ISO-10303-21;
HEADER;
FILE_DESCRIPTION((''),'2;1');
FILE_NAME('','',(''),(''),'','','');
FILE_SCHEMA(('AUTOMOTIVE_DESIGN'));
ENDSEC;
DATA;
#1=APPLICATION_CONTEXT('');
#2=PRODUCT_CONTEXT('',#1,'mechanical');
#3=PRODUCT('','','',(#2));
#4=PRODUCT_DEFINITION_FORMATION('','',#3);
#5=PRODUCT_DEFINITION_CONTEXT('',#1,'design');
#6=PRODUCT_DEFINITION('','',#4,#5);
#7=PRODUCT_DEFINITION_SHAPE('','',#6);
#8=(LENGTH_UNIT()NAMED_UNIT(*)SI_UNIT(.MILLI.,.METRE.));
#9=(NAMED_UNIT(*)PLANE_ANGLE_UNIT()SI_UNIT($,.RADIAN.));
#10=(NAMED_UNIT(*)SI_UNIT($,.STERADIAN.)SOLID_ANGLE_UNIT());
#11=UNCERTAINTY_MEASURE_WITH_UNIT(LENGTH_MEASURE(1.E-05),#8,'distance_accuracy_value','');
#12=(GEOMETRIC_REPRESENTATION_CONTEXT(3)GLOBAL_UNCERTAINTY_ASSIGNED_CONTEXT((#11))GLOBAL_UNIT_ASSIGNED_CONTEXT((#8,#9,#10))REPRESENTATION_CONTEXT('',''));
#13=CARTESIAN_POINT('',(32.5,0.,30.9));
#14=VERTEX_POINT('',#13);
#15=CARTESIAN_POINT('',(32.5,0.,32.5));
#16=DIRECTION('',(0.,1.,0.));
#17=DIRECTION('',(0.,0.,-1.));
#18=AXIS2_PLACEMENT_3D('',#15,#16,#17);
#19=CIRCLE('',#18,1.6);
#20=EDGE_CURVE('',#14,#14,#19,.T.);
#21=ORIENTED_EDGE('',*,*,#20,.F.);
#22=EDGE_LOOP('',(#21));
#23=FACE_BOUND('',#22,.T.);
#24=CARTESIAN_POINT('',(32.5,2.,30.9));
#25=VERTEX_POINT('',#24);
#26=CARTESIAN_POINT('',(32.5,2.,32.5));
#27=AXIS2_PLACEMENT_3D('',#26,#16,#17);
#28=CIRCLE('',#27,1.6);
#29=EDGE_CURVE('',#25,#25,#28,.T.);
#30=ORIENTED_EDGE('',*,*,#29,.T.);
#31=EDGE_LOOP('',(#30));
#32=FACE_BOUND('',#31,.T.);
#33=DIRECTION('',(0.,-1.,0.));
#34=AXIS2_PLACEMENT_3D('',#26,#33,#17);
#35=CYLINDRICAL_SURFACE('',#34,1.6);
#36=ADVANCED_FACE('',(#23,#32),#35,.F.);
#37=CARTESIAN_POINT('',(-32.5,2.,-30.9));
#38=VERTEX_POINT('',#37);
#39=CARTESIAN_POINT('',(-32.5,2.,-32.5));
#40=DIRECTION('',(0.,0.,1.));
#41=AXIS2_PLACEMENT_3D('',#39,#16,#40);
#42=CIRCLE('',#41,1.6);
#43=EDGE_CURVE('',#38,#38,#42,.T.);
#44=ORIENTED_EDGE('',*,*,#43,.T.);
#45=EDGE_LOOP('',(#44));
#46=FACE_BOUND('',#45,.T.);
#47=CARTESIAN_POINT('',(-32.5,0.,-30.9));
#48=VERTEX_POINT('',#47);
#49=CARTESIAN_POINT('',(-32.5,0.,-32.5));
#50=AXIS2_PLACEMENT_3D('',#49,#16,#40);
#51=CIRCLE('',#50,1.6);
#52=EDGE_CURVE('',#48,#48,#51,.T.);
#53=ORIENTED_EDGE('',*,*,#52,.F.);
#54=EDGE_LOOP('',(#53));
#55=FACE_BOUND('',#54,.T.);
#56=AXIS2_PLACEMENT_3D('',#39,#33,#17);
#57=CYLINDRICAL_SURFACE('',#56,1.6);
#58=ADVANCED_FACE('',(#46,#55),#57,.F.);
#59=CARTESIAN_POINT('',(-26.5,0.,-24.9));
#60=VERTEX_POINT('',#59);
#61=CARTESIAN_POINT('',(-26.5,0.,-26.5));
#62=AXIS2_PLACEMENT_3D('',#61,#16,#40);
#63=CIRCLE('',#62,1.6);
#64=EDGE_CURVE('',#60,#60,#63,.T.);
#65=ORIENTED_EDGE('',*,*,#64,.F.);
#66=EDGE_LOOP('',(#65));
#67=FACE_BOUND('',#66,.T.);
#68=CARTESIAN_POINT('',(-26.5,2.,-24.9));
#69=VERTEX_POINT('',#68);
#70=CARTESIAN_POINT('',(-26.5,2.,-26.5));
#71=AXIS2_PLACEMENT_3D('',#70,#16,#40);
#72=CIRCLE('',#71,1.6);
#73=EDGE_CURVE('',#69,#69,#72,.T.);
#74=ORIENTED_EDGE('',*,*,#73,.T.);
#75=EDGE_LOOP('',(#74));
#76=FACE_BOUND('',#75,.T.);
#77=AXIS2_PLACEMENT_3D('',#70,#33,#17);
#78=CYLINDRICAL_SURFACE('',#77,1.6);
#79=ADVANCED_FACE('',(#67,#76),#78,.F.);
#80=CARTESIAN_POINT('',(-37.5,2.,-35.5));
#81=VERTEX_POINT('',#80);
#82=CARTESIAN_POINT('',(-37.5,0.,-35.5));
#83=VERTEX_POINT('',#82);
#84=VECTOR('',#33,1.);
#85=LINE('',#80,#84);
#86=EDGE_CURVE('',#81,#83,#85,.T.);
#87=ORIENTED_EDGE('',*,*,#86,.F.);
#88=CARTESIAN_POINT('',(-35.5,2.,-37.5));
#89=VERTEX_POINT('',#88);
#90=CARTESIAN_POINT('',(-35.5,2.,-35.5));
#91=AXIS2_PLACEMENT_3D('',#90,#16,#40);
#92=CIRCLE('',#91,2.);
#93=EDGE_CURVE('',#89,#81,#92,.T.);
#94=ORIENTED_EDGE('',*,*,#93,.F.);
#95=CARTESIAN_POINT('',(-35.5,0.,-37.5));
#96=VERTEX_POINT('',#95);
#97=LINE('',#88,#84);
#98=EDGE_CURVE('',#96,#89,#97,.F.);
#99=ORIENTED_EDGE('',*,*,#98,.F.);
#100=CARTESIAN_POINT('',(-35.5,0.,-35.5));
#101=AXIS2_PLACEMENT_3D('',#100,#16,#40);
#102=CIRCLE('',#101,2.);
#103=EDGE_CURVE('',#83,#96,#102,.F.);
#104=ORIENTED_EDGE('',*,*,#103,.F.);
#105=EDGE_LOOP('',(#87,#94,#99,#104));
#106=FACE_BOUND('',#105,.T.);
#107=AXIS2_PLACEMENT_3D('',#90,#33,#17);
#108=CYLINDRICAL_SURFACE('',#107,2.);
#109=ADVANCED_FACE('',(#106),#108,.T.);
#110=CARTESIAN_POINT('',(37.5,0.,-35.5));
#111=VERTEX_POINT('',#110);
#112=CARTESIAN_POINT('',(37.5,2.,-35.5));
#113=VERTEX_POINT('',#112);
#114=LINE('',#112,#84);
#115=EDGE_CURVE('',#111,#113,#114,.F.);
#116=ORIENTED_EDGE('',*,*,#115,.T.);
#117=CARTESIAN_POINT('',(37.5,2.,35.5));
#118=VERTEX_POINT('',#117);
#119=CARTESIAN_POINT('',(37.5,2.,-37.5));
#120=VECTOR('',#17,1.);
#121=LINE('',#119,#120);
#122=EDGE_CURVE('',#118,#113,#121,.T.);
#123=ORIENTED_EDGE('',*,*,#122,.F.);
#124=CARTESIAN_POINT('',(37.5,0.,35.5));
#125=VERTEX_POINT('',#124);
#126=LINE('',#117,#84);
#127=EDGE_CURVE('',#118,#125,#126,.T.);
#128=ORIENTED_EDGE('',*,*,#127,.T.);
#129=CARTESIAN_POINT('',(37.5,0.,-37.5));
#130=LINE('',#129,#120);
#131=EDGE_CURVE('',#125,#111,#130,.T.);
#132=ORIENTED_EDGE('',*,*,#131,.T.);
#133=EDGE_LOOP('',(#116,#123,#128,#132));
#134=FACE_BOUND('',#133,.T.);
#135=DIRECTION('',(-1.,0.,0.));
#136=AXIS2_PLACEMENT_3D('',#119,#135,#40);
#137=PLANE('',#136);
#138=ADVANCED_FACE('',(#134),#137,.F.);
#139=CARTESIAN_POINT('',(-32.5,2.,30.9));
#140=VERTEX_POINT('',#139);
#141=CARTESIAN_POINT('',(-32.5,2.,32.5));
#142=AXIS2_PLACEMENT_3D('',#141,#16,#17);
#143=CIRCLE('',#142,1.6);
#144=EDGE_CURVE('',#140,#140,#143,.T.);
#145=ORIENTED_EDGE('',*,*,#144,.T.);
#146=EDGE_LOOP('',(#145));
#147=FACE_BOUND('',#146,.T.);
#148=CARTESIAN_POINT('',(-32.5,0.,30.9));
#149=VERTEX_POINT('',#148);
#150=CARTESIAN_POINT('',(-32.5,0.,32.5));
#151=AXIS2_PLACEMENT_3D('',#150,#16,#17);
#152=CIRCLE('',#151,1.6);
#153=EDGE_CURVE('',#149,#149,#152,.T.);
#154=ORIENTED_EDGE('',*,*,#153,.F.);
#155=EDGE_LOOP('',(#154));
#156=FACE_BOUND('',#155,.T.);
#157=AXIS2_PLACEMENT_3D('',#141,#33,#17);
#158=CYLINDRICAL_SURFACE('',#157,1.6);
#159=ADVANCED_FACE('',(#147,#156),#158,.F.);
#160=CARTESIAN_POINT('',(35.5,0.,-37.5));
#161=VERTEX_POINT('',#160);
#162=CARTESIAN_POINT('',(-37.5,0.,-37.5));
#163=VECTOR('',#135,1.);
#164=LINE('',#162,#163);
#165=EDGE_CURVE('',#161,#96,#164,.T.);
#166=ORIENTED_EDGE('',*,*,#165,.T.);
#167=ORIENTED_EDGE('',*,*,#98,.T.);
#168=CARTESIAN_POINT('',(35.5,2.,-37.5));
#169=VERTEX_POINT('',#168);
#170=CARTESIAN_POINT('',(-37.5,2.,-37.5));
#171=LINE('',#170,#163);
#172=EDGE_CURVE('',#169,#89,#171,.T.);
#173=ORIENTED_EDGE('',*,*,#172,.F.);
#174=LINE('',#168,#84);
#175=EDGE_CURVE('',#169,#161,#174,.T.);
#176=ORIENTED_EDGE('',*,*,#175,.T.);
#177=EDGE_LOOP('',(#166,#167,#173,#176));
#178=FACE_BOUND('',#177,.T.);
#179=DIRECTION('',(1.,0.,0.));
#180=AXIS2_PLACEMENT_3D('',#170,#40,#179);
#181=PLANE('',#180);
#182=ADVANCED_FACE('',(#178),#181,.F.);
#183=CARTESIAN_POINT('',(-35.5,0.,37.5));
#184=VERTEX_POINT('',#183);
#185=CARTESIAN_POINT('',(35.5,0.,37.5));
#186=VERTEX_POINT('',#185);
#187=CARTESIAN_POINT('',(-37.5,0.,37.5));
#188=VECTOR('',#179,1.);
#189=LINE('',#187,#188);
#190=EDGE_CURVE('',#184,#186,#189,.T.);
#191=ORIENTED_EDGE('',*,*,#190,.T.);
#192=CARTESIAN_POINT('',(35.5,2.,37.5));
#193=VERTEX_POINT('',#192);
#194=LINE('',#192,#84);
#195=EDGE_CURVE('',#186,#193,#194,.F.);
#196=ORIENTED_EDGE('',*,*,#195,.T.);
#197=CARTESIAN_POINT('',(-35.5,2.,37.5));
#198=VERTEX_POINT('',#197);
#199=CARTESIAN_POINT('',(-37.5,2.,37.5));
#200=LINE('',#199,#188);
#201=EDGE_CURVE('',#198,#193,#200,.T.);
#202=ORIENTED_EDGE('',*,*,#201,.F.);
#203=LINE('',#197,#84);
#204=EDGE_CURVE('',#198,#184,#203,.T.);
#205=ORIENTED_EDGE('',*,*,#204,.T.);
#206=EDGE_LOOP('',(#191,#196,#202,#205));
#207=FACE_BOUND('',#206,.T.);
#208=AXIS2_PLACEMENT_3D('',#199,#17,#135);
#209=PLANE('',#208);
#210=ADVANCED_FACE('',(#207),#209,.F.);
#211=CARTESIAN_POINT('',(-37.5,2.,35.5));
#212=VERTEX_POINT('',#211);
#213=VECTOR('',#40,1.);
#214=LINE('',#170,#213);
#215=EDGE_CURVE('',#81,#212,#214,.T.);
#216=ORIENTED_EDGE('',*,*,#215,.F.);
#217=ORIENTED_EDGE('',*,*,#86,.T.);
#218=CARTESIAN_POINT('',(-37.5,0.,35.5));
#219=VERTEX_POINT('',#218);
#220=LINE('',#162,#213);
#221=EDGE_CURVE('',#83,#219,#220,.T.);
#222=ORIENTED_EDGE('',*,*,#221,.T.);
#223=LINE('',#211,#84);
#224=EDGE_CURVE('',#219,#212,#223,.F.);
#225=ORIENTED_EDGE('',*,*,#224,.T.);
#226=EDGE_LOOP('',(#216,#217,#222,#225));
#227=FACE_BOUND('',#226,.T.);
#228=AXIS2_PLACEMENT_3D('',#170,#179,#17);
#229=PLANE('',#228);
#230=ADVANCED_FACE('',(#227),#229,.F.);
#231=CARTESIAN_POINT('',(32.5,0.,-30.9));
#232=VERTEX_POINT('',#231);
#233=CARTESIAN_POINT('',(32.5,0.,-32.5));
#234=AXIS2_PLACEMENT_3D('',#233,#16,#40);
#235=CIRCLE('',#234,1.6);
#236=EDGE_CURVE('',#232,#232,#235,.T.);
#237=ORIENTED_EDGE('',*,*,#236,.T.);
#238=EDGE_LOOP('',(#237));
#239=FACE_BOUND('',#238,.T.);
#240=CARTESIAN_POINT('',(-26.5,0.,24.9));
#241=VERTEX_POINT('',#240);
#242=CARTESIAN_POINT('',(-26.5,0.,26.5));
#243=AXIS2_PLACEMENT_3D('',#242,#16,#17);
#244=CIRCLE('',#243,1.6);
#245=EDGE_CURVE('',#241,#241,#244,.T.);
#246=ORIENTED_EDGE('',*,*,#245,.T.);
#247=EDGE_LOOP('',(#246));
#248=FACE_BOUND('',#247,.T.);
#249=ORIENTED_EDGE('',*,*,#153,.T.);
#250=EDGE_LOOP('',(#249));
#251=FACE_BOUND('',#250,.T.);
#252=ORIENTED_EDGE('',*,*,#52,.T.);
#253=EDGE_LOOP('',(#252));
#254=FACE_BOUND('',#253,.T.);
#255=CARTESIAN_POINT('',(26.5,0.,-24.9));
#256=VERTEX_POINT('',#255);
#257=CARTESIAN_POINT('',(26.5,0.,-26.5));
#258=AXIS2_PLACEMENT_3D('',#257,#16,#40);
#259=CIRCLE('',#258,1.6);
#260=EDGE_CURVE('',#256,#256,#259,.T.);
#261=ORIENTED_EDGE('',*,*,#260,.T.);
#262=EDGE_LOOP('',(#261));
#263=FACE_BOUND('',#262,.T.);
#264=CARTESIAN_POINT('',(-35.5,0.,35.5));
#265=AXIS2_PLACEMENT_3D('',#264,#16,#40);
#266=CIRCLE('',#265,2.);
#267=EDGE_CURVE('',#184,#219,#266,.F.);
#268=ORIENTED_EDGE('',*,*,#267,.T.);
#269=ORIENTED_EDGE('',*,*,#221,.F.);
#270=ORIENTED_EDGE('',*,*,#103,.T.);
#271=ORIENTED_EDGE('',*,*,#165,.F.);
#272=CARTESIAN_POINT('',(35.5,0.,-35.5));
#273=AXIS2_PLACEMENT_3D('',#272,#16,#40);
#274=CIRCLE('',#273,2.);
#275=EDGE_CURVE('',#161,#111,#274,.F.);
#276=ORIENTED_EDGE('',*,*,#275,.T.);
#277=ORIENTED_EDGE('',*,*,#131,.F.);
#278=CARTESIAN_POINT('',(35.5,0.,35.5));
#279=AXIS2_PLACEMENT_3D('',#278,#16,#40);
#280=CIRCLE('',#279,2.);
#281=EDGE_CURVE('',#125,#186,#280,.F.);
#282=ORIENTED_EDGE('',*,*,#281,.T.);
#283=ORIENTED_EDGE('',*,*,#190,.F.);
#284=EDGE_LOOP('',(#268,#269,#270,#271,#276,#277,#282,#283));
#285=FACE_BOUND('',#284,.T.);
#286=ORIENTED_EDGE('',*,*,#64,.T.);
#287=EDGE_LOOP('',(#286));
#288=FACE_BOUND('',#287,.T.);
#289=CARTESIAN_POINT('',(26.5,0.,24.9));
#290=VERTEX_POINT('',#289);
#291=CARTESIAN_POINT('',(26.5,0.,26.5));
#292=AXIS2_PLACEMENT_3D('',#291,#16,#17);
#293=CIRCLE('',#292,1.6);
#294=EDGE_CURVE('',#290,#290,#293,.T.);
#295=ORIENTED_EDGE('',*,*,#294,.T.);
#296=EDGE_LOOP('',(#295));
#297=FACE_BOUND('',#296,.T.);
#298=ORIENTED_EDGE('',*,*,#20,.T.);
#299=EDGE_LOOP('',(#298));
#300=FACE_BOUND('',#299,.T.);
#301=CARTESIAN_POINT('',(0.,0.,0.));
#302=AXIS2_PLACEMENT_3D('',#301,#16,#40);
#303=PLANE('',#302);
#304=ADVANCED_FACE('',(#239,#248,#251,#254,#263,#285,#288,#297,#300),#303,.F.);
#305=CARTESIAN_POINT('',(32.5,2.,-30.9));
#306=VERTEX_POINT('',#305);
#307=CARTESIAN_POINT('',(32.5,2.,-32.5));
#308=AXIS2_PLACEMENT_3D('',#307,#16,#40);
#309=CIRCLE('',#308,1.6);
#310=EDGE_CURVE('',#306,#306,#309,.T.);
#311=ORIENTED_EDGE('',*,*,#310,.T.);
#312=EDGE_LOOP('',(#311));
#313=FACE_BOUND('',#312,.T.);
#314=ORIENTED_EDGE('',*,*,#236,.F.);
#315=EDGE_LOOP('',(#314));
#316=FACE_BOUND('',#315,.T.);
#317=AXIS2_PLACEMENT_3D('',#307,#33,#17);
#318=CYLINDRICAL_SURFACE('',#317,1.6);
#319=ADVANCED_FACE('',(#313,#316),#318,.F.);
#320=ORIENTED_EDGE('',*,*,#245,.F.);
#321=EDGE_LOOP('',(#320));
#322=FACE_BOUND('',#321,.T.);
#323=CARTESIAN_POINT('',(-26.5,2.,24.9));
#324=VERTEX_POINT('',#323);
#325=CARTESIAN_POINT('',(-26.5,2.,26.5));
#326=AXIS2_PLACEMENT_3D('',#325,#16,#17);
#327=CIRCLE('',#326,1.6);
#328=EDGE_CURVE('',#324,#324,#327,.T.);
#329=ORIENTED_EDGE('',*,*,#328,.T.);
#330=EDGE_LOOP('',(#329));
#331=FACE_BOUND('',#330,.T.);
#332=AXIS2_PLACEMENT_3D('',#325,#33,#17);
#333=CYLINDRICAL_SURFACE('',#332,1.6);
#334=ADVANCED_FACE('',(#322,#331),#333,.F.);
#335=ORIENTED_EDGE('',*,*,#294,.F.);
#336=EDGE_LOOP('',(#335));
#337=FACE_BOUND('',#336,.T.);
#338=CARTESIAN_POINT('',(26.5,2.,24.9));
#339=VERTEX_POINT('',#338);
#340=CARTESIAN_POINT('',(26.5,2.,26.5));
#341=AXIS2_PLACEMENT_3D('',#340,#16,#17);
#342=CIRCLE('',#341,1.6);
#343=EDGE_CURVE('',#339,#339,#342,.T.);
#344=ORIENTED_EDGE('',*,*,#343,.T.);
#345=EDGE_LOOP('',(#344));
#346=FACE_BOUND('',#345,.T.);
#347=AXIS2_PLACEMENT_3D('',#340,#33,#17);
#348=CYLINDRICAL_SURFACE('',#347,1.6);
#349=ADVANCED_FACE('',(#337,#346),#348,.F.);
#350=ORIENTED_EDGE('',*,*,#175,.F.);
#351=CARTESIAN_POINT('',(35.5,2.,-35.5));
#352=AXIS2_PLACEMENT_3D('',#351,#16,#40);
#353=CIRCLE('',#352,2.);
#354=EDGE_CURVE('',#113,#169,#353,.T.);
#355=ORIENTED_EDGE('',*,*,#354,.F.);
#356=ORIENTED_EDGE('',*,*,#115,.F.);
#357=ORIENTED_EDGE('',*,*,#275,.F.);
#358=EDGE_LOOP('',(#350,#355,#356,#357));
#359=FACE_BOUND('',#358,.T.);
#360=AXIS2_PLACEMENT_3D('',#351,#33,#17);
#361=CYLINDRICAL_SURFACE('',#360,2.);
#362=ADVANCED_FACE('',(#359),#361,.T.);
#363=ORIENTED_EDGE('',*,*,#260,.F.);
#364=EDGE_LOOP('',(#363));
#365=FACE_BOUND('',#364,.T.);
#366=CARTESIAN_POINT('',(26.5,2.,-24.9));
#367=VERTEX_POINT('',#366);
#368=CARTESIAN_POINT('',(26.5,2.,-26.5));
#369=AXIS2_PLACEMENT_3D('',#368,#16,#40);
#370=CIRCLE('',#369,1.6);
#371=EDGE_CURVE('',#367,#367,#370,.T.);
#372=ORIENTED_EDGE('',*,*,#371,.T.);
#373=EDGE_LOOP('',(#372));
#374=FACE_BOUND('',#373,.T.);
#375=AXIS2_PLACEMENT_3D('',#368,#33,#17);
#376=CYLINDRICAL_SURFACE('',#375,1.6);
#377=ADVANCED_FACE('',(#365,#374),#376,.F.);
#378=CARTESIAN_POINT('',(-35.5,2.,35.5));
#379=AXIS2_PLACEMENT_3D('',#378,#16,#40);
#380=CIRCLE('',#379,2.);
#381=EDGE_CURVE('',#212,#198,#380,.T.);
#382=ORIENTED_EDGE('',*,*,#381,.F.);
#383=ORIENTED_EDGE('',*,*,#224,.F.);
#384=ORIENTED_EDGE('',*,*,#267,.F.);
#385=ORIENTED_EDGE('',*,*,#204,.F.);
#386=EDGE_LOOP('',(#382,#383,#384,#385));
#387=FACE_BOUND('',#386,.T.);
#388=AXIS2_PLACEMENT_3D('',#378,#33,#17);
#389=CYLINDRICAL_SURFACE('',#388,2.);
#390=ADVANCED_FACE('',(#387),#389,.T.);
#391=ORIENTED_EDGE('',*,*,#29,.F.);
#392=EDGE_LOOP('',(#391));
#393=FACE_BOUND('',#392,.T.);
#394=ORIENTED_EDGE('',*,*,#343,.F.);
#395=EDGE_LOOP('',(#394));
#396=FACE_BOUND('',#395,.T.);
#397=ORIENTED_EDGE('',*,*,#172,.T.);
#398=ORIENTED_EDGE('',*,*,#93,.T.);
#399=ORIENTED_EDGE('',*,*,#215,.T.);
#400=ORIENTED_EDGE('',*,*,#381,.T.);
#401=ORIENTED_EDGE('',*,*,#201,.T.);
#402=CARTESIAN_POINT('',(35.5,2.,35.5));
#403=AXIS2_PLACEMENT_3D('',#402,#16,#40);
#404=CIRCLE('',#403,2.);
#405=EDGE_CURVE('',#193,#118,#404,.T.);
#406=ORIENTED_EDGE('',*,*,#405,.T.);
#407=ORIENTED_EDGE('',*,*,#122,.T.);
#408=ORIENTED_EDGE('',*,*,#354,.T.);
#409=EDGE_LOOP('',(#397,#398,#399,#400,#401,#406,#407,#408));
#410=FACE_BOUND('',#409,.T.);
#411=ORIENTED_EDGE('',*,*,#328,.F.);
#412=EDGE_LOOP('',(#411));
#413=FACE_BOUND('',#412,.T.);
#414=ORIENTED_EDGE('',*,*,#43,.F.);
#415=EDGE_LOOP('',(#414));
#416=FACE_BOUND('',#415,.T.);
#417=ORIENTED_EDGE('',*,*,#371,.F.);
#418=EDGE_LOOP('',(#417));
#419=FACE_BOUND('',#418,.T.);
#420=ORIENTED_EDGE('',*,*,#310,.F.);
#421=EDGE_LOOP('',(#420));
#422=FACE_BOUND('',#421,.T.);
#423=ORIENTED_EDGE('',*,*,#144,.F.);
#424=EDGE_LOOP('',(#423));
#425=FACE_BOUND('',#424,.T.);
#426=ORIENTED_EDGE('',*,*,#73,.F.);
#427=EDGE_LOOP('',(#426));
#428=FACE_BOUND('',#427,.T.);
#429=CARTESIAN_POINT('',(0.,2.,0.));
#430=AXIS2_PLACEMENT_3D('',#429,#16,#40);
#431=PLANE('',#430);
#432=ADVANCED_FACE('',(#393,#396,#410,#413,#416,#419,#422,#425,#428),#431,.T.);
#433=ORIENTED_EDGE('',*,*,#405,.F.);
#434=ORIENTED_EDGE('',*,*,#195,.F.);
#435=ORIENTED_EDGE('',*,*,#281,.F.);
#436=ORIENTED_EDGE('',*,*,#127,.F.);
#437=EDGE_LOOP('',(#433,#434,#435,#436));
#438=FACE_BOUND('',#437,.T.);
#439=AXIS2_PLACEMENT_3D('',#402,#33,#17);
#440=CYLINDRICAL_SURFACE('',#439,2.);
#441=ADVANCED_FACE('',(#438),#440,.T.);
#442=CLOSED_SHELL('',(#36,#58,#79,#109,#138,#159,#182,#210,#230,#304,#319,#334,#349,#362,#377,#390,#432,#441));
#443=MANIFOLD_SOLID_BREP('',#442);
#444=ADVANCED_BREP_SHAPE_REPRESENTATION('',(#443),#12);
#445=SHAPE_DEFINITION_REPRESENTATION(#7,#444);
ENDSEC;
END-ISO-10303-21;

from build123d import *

# Parameters (mm, degrees)
SKETCH_1_W      = 75
SKETCH_1_H      = 75
SKETCH_1_R      = 1.6
EXTRUDE_1_DEPTH = 2
FILLET_1_R      = 2


with BuildPart() as part:
    # 草图1 → 凸台-拉伸1 (new body)
    with BuildSketch(Plane(origin=(0, 0, 0), x_dir=(1, 0, 0), z_dir=(0, 1, 0))):
        Rectangle(SKETCH_1_W, SKETCH_1_H)
        with Locations(Location((-26.5, 26.5, 0), (0, 0, 270))):
            Circle(SKETCH_1_R, mode=Mode.SUBTRACT)
        with Locations(Location((26.5, 26.5, 0), (0, 0, 270))):
            Circle(SKETCH_1_R, mode=Mode.SUBTRACT)
        with Locations(Location((26.5, -26.5, 0), (0, 0, 90))):
            Circle(SKETCH_1_R, mode=Mode.SUBTRACT)
        with Locations(Location((-26.5, -26.5, 0), (0, 0, 90))):
            Circle(SKETCH_1_R, mode=Mode.SUBTRACT)
        with Locations(Location((-32.5, 32.5, 0), (0, 0, 270))):
            Circle(SKETCH_1_R, mode=Mode.SUBTRACT)
        with Locations(Location((32.5, 32.5, 0), (0, 0, 270))):
            Circle(SKETCH_1_R, mode=Mode.SUBTRACT)
        with Locations(Location((32.5, -32.5, 0), (0, 0, 90))):
            Circle(SKETCH_1_R, mode=Mode.SUBTRACT)
        with Locations(Location((-32.5, -32.5, 0), (0, 0, 90))):
            Circle(SKETCH_1_R, mode=Mode.SUBTRACT)
    extrude(amount=EXTRUDE_1_DEPTH)

    # 圆角1
    fillet_1_edges = [part.edges().sort_by_distance(p)[0] for p in [
        (37.5, 1, 37.5),
        (-37.5, 1, 37.5),
        (-37.5, 1, -37.5),
        (37.5, 1, -37.5),
    ]]
    fillet(fillet_1_edges, radius=FILLET_1_R)


solid = part.part
